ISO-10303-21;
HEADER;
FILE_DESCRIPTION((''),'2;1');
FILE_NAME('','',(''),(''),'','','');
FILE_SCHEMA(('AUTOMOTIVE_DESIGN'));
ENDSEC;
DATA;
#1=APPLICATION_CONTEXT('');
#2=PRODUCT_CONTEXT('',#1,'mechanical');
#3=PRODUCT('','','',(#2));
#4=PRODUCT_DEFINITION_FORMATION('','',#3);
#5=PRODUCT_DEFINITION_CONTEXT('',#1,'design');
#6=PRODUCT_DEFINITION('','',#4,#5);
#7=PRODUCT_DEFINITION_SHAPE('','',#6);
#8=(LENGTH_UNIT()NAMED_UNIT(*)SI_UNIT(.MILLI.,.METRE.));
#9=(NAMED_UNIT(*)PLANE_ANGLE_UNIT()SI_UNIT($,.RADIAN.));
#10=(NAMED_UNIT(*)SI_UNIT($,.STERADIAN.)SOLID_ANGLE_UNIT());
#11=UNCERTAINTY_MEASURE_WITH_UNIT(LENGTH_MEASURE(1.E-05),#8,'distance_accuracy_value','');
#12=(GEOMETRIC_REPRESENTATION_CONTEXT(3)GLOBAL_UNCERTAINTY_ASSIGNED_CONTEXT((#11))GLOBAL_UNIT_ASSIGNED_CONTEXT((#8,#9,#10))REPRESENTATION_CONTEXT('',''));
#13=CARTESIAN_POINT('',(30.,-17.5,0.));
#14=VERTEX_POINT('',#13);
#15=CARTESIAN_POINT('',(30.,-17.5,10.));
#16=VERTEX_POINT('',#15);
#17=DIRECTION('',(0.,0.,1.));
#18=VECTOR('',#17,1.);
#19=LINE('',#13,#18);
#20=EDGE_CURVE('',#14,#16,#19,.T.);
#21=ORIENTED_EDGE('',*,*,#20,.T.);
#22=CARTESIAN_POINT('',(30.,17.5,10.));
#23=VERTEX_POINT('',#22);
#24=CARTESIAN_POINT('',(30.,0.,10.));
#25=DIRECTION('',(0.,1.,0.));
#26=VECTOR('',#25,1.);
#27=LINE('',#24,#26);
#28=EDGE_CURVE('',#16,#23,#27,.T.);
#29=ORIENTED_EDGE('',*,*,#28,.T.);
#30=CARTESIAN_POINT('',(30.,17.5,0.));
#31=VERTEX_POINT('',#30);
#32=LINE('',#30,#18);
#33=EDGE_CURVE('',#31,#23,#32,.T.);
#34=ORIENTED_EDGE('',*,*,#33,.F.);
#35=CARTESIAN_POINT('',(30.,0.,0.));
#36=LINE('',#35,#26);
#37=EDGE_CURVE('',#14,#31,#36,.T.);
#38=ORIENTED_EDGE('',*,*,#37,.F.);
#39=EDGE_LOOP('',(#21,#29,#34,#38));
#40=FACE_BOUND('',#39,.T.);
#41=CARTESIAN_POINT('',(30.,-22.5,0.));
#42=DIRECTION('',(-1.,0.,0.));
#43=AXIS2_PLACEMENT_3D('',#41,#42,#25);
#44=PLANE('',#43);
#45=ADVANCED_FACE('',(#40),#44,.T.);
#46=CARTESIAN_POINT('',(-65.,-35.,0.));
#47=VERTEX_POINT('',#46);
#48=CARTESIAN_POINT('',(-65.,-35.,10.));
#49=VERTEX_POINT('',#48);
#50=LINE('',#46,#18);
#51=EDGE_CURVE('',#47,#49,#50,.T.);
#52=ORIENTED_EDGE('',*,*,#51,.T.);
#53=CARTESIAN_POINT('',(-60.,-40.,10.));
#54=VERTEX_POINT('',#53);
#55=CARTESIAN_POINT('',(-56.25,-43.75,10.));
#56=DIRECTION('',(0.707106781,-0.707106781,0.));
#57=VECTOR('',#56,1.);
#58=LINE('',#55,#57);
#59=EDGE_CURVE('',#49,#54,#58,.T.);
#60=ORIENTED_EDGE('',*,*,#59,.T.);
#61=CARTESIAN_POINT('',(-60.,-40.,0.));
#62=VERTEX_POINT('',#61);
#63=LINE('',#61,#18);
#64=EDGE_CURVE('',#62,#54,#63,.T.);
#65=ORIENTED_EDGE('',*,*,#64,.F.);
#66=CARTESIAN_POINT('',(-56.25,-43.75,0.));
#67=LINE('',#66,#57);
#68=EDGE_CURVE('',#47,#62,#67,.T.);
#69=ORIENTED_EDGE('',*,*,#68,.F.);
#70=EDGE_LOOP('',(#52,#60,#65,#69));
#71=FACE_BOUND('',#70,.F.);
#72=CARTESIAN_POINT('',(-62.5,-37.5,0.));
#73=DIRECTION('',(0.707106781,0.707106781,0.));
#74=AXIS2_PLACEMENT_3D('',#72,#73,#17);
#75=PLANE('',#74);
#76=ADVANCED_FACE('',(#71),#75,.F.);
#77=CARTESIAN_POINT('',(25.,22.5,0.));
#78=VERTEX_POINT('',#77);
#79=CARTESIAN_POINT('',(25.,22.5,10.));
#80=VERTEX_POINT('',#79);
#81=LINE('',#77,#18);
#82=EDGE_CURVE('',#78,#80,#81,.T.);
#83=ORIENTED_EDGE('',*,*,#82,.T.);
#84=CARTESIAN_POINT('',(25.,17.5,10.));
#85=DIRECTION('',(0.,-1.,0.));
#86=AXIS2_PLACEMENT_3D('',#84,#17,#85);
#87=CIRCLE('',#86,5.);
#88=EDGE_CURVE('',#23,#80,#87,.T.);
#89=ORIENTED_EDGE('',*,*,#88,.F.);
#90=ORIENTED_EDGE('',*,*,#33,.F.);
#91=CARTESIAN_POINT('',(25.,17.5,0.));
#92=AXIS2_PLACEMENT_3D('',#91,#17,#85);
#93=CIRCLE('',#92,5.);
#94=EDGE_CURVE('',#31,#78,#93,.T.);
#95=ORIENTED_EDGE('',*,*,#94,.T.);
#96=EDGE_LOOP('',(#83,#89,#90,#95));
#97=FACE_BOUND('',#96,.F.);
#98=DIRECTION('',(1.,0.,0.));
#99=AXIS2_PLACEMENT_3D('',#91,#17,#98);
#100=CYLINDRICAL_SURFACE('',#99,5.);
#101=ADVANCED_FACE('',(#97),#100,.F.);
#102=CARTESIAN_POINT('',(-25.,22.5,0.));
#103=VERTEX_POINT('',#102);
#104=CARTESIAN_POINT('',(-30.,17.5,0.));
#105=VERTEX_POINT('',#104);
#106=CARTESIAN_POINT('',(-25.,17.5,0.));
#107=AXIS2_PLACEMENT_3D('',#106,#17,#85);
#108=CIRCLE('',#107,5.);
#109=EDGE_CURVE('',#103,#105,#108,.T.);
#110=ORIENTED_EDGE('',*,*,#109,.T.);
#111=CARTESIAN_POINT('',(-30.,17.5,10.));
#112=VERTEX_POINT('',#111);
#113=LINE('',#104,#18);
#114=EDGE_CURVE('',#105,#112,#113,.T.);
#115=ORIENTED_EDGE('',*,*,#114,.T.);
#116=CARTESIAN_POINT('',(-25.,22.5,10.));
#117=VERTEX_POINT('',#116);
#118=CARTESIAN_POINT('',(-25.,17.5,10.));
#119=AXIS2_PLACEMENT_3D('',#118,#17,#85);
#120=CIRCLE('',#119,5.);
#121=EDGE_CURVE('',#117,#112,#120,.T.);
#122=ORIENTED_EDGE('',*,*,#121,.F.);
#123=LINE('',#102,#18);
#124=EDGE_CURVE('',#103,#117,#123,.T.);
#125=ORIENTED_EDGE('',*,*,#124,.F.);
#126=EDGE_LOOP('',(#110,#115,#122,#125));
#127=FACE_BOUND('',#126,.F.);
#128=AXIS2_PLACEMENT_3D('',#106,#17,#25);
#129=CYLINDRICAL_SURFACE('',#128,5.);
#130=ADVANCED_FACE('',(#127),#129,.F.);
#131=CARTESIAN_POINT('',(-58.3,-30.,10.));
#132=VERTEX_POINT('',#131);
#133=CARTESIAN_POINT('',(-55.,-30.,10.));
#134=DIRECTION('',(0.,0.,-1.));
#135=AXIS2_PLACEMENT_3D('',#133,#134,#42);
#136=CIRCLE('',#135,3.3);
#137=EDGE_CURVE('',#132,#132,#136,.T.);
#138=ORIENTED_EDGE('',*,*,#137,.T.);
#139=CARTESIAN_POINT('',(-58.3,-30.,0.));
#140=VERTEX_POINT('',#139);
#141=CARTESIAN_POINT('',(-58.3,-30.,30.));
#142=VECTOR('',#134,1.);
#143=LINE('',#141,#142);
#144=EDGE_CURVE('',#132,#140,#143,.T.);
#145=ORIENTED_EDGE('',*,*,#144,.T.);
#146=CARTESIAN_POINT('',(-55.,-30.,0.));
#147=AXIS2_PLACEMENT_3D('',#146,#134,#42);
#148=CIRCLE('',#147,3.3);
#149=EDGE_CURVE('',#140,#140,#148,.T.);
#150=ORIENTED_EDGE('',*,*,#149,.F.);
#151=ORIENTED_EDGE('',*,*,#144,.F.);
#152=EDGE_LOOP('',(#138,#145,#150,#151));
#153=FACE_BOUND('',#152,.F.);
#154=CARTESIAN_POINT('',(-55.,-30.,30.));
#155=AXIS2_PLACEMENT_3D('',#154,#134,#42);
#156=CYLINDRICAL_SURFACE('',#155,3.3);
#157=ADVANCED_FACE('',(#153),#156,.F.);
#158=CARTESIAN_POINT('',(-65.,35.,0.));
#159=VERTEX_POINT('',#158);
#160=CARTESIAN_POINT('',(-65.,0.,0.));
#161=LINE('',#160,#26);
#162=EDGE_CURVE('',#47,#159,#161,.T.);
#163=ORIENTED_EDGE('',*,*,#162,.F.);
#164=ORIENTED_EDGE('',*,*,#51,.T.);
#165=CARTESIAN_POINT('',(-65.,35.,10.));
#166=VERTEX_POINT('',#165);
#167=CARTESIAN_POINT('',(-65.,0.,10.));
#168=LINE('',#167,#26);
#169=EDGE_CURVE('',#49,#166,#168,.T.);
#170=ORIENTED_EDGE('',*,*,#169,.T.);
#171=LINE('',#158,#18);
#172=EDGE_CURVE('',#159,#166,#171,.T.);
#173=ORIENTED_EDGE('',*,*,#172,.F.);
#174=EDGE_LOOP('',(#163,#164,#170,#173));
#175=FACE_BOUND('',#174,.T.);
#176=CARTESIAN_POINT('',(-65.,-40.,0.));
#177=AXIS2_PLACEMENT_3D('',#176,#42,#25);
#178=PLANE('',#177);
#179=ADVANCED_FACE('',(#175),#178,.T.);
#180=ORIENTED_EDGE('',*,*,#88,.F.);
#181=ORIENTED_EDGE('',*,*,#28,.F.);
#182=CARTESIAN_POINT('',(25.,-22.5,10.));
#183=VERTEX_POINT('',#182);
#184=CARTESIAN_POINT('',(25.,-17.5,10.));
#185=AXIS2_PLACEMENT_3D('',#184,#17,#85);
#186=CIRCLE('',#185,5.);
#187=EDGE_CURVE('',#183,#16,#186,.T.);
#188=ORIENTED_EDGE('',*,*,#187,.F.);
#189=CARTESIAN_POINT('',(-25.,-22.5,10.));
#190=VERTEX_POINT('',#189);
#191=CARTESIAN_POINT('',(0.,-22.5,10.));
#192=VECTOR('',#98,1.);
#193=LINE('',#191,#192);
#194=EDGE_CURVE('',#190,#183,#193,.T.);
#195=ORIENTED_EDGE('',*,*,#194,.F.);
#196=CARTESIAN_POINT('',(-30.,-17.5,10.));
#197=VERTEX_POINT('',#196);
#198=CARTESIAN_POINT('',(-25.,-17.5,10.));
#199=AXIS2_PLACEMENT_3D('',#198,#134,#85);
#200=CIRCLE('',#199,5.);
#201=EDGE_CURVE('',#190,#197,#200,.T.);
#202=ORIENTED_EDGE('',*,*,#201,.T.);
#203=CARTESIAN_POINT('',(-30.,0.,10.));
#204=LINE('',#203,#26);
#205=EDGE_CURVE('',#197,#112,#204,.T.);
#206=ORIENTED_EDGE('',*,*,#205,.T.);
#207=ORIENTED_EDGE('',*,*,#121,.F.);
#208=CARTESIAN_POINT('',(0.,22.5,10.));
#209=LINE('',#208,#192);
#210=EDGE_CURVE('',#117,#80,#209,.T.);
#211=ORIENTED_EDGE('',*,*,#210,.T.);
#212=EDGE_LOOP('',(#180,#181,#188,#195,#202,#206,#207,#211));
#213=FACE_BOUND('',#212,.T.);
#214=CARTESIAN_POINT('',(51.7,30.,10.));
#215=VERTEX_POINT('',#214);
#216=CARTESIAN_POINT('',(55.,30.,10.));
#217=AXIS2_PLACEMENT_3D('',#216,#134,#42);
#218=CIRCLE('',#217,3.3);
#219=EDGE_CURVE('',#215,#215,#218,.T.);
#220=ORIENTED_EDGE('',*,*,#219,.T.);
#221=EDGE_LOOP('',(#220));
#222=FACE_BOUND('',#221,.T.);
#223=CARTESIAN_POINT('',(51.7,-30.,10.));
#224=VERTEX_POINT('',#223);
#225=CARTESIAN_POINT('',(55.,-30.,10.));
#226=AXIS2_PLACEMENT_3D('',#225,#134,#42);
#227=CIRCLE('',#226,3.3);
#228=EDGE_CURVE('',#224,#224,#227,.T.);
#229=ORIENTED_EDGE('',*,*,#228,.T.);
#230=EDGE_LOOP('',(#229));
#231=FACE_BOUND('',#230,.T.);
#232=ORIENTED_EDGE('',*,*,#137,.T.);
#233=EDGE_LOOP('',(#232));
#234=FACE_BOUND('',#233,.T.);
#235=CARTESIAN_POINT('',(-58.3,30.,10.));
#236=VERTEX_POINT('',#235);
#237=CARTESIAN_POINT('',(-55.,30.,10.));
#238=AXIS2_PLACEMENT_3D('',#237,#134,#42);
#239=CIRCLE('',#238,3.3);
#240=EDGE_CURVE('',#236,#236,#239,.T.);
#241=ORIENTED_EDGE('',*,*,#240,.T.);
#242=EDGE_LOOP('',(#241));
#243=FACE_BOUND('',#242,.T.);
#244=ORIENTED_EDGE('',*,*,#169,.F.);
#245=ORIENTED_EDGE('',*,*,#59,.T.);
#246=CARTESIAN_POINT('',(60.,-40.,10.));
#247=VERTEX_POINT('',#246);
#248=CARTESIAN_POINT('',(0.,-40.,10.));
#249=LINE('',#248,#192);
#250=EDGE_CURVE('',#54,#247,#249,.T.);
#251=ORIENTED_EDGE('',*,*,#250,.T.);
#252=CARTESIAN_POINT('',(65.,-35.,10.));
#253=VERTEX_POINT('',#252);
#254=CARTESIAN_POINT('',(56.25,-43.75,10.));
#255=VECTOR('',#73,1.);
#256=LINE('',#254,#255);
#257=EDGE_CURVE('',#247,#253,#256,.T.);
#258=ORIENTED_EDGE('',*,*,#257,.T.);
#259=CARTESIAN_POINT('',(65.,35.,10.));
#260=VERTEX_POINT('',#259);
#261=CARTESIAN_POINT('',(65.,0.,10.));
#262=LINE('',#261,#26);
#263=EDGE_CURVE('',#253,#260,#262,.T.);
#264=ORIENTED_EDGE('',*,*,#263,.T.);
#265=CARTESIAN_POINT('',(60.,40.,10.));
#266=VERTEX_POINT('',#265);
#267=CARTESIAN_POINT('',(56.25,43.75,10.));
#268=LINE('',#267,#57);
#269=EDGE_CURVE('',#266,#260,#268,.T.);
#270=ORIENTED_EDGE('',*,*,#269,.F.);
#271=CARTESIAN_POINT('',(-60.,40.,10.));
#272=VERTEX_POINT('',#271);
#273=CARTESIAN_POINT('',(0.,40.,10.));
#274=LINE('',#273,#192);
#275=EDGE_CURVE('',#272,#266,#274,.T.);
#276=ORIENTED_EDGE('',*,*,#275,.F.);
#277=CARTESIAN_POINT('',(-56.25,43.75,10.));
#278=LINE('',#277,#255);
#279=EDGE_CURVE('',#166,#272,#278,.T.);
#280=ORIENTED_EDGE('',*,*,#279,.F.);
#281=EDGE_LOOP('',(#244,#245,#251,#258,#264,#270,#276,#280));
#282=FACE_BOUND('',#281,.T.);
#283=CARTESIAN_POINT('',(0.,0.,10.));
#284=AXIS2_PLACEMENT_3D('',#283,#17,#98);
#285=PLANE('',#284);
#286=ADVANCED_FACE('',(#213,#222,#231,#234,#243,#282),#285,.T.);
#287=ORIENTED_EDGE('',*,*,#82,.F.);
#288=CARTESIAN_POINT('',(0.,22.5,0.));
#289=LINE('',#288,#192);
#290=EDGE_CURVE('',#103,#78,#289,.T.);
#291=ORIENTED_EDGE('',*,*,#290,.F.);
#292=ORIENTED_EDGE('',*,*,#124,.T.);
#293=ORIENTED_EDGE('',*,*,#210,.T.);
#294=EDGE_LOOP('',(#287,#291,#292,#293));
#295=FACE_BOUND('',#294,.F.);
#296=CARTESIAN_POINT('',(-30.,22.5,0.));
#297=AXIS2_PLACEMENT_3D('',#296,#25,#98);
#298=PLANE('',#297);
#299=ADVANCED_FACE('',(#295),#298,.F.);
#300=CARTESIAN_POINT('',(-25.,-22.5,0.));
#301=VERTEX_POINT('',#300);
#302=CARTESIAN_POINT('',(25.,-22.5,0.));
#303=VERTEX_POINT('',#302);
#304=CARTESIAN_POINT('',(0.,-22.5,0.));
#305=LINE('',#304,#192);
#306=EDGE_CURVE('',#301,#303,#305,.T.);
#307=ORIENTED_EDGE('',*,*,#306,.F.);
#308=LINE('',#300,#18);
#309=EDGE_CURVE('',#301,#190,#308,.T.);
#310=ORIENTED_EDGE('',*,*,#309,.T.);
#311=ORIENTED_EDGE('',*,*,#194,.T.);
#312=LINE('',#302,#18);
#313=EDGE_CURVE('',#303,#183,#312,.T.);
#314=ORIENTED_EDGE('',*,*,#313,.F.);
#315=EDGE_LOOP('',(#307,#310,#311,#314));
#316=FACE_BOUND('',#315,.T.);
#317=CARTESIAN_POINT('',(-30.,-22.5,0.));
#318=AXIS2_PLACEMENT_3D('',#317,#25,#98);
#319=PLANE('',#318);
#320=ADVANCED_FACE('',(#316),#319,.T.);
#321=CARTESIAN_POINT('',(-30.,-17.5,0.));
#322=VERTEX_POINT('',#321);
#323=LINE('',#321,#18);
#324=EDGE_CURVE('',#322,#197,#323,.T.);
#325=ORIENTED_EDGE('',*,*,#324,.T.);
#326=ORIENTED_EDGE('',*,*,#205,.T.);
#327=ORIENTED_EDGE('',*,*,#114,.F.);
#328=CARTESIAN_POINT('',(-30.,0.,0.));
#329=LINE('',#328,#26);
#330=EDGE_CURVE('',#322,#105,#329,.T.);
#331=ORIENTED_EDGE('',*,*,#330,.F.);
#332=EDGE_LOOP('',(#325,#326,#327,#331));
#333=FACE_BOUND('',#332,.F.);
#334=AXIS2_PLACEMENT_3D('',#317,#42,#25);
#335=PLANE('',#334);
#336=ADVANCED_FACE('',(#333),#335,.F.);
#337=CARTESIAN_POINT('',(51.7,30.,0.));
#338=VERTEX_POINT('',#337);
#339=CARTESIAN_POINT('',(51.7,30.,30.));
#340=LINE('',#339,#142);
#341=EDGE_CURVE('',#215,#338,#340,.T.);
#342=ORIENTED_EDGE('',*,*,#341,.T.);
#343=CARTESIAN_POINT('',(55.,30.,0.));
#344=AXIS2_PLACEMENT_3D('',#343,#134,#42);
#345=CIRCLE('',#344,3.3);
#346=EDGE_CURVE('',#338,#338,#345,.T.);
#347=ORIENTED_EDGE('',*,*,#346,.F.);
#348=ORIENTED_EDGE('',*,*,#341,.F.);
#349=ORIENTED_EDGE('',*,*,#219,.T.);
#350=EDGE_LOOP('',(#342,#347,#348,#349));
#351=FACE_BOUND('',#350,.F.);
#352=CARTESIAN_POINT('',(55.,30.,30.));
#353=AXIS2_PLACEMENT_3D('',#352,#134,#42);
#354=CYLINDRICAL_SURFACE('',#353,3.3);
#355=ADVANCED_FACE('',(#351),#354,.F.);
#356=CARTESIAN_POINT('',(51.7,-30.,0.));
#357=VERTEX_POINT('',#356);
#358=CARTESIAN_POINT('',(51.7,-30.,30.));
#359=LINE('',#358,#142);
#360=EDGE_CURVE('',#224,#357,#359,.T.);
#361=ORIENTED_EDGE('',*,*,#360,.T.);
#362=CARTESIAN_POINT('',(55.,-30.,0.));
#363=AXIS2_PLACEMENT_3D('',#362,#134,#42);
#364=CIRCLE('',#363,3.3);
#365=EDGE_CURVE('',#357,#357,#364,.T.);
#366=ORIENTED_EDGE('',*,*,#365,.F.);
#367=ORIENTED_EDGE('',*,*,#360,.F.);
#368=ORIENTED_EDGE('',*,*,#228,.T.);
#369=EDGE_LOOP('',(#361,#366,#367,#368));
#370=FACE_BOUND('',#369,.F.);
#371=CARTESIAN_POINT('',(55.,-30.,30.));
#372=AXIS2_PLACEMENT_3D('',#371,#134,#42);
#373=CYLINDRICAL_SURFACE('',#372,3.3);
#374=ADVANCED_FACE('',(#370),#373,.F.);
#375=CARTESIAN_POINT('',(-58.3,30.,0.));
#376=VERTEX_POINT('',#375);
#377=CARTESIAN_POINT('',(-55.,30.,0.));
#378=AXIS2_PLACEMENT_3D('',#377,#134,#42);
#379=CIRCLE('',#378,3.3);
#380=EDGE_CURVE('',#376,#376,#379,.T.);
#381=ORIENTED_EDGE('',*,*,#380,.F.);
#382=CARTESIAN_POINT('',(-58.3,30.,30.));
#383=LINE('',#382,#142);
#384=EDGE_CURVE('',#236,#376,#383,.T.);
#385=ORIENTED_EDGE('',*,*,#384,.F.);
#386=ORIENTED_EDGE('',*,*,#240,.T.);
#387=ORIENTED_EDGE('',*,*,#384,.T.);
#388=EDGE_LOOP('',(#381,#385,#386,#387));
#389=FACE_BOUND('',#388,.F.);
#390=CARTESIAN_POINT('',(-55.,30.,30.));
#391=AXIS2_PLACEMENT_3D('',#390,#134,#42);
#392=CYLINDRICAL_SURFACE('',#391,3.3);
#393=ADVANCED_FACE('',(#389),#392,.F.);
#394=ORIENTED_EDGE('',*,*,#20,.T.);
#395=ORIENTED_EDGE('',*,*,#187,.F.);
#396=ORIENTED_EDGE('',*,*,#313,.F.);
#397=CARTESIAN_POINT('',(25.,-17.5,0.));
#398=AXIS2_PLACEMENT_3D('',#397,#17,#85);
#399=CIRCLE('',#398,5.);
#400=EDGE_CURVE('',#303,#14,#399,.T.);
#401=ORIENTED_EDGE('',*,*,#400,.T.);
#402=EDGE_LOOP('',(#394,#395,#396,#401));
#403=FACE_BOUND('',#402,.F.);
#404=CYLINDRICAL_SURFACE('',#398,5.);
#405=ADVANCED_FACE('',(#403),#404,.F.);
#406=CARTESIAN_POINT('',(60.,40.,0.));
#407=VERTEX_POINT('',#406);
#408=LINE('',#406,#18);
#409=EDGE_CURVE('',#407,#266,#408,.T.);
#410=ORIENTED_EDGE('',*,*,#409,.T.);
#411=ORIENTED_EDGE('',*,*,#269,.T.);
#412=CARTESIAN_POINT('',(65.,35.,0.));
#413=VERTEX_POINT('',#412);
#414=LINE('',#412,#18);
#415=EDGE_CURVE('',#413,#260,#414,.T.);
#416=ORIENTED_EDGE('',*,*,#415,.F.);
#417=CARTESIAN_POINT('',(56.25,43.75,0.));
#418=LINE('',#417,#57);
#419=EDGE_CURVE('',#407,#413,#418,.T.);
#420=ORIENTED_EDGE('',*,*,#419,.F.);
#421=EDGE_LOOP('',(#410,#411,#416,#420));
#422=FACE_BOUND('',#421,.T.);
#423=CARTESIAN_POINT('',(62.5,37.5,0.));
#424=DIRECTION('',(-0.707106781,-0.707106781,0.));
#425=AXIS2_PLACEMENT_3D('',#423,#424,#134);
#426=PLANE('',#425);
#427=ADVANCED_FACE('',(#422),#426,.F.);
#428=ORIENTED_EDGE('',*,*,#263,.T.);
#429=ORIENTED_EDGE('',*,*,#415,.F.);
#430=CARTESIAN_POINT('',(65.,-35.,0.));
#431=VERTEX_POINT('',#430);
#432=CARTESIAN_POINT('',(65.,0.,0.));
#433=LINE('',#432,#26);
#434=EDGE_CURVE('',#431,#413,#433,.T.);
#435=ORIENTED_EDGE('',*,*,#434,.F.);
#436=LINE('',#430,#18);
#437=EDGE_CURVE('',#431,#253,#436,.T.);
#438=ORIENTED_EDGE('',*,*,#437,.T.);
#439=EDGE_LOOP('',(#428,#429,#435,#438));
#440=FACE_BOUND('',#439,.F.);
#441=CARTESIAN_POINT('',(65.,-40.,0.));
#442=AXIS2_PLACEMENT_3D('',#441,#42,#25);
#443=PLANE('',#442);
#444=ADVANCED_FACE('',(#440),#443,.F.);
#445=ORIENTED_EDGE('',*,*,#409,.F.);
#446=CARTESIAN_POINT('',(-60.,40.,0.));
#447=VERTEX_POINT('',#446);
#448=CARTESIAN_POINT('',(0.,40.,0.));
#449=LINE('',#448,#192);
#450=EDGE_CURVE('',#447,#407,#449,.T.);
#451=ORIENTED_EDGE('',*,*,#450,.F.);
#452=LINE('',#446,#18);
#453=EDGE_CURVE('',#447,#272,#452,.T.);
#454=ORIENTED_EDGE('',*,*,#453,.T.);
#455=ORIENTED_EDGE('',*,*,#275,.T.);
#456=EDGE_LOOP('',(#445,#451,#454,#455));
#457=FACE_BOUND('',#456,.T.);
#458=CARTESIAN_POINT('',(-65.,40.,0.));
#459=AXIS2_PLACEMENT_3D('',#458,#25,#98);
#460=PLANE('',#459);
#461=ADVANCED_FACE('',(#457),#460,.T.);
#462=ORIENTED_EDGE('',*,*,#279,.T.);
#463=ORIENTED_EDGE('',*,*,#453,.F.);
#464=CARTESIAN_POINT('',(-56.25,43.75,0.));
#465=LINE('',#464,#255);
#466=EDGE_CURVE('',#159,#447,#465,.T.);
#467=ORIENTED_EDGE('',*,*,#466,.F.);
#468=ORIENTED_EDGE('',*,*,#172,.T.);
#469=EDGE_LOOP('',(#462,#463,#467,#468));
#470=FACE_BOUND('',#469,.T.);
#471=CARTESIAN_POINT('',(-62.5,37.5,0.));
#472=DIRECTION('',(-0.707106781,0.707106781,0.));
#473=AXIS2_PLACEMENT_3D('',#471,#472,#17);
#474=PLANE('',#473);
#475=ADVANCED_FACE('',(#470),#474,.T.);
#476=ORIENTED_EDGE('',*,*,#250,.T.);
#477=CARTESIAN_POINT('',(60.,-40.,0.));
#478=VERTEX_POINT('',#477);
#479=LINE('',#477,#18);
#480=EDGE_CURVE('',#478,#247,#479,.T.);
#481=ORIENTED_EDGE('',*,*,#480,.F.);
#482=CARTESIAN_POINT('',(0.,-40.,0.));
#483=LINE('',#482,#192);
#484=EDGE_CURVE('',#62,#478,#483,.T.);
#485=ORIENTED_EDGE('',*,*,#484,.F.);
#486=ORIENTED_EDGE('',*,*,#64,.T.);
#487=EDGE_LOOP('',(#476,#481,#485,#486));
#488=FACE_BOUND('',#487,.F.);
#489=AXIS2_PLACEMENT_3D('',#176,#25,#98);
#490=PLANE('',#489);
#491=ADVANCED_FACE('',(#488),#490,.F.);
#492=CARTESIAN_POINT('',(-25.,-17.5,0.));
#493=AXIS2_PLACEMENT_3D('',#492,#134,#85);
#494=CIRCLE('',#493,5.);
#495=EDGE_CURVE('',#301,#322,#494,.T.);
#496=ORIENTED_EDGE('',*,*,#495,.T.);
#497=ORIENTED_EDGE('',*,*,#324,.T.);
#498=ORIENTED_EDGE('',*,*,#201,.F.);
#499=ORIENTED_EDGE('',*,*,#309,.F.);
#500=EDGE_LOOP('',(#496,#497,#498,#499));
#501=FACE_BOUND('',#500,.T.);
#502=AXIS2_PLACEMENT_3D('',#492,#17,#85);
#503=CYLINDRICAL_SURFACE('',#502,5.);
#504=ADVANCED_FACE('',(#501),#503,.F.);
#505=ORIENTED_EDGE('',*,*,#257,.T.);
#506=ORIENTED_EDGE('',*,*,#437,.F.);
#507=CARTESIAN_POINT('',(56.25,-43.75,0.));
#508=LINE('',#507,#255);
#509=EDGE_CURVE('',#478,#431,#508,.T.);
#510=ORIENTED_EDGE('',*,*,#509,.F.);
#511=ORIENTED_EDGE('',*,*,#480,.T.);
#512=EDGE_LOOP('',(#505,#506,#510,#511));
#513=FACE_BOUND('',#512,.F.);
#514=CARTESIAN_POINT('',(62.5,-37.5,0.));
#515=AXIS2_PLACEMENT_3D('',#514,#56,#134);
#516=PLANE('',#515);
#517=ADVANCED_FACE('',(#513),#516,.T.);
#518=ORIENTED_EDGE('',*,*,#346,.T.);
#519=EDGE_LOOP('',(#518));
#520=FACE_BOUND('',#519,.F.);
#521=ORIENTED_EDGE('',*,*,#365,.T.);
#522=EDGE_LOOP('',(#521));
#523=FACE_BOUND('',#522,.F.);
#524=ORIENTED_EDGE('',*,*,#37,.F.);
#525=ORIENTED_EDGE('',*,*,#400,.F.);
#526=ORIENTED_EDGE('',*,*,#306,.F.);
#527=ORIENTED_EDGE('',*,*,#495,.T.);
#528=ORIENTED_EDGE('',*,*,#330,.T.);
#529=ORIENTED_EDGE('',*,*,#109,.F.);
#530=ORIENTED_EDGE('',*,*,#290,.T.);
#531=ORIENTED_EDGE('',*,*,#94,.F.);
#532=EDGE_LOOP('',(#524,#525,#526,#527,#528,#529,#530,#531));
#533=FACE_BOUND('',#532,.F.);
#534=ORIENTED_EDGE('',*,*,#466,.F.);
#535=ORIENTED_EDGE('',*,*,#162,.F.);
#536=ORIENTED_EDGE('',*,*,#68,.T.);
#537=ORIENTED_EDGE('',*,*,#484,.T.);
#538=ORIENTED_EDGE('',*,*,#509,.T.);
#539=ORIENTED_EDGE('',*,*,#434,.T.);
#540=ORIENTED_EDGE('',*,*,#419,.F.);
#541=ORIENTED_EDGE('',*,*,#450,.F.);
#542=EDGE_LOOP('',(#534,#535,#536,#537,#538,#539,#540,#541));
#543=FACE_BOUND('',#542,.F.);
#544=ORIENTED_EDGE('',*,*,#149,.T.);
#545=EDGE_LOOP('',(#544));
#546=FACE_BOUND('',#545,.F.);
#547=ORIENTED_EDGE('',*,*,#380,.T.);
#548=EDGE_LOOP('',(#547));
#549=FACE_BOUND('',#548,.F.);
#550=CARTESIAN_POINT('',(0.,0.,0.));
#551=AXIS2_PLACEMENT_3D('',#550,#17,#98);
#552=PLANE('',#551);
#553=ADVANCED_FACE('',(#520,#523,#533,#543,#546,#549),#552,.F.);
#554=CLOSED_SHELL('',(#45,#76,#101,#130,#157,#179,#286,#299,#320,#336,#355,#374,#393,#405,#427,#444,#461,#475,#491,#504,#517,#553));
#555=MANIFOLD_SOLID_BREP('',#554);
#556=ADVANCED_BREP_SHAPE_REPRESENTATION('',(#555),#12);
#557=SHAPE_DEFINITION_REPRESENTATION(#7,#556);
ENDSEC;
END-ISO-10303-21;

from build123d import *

# Parameters (mm, degrees)
F0_W     = 130
F0_H     = 80
F0_W_2   = 60
F0_H_2   = 45
F1_DEPTH = 10
F3_R     = 5
F4_SIZE  = 5
F5_D     = 6.6
F5_DEPTH = 20
F5_TIP   = 1.9828400428


with BuildPart() as f1:
    # F0 (on Top) → F1 (new body)
    with BuildSketch(Plane.XY):
        Rectangle(F0_W, F0_H)
        Rectangle(F0_W_2, F0_H_2, mode=Mode.SUBTRACT)
    extrude(amount=F1_DEPTH)

    # F3
    f3_edges = [f1.edges().sort_by_distance(p)[0] for p in [
        (-30, 22.5, 5),
        (-30, -22.5, 5),
        (30, -22.5, 5),
        (30, 22.5, 5),
    ]]
    fillet(f3_edges, radius=F3_R)

    # F4
    f4_edges = [f1.edges().sort_by_distance(p)[0] for p in [
        (-65, -40, 5),
        (-65, 40, 5),
        (65, -40, 5),
        (65, 40, 5),
    ]]
    chamfer(f4_edges, length=F4_SIZE)

    # F5
    with Locations(Plane.XY.offset(10)):
        with Locations((-55, 30), (-55, -30), (55, -30), (55, 30)):
            Hole(F5_D / 2, depth=F5_DEPTH)
            with Locations((0, 0, -(F5_DEPTH + F5_TIP / 2))):  # 118° drill point
                Cone(0, F5_D / 2, F5_TIP, mode=Mode.SUBTRACT)


solid = f1.part
